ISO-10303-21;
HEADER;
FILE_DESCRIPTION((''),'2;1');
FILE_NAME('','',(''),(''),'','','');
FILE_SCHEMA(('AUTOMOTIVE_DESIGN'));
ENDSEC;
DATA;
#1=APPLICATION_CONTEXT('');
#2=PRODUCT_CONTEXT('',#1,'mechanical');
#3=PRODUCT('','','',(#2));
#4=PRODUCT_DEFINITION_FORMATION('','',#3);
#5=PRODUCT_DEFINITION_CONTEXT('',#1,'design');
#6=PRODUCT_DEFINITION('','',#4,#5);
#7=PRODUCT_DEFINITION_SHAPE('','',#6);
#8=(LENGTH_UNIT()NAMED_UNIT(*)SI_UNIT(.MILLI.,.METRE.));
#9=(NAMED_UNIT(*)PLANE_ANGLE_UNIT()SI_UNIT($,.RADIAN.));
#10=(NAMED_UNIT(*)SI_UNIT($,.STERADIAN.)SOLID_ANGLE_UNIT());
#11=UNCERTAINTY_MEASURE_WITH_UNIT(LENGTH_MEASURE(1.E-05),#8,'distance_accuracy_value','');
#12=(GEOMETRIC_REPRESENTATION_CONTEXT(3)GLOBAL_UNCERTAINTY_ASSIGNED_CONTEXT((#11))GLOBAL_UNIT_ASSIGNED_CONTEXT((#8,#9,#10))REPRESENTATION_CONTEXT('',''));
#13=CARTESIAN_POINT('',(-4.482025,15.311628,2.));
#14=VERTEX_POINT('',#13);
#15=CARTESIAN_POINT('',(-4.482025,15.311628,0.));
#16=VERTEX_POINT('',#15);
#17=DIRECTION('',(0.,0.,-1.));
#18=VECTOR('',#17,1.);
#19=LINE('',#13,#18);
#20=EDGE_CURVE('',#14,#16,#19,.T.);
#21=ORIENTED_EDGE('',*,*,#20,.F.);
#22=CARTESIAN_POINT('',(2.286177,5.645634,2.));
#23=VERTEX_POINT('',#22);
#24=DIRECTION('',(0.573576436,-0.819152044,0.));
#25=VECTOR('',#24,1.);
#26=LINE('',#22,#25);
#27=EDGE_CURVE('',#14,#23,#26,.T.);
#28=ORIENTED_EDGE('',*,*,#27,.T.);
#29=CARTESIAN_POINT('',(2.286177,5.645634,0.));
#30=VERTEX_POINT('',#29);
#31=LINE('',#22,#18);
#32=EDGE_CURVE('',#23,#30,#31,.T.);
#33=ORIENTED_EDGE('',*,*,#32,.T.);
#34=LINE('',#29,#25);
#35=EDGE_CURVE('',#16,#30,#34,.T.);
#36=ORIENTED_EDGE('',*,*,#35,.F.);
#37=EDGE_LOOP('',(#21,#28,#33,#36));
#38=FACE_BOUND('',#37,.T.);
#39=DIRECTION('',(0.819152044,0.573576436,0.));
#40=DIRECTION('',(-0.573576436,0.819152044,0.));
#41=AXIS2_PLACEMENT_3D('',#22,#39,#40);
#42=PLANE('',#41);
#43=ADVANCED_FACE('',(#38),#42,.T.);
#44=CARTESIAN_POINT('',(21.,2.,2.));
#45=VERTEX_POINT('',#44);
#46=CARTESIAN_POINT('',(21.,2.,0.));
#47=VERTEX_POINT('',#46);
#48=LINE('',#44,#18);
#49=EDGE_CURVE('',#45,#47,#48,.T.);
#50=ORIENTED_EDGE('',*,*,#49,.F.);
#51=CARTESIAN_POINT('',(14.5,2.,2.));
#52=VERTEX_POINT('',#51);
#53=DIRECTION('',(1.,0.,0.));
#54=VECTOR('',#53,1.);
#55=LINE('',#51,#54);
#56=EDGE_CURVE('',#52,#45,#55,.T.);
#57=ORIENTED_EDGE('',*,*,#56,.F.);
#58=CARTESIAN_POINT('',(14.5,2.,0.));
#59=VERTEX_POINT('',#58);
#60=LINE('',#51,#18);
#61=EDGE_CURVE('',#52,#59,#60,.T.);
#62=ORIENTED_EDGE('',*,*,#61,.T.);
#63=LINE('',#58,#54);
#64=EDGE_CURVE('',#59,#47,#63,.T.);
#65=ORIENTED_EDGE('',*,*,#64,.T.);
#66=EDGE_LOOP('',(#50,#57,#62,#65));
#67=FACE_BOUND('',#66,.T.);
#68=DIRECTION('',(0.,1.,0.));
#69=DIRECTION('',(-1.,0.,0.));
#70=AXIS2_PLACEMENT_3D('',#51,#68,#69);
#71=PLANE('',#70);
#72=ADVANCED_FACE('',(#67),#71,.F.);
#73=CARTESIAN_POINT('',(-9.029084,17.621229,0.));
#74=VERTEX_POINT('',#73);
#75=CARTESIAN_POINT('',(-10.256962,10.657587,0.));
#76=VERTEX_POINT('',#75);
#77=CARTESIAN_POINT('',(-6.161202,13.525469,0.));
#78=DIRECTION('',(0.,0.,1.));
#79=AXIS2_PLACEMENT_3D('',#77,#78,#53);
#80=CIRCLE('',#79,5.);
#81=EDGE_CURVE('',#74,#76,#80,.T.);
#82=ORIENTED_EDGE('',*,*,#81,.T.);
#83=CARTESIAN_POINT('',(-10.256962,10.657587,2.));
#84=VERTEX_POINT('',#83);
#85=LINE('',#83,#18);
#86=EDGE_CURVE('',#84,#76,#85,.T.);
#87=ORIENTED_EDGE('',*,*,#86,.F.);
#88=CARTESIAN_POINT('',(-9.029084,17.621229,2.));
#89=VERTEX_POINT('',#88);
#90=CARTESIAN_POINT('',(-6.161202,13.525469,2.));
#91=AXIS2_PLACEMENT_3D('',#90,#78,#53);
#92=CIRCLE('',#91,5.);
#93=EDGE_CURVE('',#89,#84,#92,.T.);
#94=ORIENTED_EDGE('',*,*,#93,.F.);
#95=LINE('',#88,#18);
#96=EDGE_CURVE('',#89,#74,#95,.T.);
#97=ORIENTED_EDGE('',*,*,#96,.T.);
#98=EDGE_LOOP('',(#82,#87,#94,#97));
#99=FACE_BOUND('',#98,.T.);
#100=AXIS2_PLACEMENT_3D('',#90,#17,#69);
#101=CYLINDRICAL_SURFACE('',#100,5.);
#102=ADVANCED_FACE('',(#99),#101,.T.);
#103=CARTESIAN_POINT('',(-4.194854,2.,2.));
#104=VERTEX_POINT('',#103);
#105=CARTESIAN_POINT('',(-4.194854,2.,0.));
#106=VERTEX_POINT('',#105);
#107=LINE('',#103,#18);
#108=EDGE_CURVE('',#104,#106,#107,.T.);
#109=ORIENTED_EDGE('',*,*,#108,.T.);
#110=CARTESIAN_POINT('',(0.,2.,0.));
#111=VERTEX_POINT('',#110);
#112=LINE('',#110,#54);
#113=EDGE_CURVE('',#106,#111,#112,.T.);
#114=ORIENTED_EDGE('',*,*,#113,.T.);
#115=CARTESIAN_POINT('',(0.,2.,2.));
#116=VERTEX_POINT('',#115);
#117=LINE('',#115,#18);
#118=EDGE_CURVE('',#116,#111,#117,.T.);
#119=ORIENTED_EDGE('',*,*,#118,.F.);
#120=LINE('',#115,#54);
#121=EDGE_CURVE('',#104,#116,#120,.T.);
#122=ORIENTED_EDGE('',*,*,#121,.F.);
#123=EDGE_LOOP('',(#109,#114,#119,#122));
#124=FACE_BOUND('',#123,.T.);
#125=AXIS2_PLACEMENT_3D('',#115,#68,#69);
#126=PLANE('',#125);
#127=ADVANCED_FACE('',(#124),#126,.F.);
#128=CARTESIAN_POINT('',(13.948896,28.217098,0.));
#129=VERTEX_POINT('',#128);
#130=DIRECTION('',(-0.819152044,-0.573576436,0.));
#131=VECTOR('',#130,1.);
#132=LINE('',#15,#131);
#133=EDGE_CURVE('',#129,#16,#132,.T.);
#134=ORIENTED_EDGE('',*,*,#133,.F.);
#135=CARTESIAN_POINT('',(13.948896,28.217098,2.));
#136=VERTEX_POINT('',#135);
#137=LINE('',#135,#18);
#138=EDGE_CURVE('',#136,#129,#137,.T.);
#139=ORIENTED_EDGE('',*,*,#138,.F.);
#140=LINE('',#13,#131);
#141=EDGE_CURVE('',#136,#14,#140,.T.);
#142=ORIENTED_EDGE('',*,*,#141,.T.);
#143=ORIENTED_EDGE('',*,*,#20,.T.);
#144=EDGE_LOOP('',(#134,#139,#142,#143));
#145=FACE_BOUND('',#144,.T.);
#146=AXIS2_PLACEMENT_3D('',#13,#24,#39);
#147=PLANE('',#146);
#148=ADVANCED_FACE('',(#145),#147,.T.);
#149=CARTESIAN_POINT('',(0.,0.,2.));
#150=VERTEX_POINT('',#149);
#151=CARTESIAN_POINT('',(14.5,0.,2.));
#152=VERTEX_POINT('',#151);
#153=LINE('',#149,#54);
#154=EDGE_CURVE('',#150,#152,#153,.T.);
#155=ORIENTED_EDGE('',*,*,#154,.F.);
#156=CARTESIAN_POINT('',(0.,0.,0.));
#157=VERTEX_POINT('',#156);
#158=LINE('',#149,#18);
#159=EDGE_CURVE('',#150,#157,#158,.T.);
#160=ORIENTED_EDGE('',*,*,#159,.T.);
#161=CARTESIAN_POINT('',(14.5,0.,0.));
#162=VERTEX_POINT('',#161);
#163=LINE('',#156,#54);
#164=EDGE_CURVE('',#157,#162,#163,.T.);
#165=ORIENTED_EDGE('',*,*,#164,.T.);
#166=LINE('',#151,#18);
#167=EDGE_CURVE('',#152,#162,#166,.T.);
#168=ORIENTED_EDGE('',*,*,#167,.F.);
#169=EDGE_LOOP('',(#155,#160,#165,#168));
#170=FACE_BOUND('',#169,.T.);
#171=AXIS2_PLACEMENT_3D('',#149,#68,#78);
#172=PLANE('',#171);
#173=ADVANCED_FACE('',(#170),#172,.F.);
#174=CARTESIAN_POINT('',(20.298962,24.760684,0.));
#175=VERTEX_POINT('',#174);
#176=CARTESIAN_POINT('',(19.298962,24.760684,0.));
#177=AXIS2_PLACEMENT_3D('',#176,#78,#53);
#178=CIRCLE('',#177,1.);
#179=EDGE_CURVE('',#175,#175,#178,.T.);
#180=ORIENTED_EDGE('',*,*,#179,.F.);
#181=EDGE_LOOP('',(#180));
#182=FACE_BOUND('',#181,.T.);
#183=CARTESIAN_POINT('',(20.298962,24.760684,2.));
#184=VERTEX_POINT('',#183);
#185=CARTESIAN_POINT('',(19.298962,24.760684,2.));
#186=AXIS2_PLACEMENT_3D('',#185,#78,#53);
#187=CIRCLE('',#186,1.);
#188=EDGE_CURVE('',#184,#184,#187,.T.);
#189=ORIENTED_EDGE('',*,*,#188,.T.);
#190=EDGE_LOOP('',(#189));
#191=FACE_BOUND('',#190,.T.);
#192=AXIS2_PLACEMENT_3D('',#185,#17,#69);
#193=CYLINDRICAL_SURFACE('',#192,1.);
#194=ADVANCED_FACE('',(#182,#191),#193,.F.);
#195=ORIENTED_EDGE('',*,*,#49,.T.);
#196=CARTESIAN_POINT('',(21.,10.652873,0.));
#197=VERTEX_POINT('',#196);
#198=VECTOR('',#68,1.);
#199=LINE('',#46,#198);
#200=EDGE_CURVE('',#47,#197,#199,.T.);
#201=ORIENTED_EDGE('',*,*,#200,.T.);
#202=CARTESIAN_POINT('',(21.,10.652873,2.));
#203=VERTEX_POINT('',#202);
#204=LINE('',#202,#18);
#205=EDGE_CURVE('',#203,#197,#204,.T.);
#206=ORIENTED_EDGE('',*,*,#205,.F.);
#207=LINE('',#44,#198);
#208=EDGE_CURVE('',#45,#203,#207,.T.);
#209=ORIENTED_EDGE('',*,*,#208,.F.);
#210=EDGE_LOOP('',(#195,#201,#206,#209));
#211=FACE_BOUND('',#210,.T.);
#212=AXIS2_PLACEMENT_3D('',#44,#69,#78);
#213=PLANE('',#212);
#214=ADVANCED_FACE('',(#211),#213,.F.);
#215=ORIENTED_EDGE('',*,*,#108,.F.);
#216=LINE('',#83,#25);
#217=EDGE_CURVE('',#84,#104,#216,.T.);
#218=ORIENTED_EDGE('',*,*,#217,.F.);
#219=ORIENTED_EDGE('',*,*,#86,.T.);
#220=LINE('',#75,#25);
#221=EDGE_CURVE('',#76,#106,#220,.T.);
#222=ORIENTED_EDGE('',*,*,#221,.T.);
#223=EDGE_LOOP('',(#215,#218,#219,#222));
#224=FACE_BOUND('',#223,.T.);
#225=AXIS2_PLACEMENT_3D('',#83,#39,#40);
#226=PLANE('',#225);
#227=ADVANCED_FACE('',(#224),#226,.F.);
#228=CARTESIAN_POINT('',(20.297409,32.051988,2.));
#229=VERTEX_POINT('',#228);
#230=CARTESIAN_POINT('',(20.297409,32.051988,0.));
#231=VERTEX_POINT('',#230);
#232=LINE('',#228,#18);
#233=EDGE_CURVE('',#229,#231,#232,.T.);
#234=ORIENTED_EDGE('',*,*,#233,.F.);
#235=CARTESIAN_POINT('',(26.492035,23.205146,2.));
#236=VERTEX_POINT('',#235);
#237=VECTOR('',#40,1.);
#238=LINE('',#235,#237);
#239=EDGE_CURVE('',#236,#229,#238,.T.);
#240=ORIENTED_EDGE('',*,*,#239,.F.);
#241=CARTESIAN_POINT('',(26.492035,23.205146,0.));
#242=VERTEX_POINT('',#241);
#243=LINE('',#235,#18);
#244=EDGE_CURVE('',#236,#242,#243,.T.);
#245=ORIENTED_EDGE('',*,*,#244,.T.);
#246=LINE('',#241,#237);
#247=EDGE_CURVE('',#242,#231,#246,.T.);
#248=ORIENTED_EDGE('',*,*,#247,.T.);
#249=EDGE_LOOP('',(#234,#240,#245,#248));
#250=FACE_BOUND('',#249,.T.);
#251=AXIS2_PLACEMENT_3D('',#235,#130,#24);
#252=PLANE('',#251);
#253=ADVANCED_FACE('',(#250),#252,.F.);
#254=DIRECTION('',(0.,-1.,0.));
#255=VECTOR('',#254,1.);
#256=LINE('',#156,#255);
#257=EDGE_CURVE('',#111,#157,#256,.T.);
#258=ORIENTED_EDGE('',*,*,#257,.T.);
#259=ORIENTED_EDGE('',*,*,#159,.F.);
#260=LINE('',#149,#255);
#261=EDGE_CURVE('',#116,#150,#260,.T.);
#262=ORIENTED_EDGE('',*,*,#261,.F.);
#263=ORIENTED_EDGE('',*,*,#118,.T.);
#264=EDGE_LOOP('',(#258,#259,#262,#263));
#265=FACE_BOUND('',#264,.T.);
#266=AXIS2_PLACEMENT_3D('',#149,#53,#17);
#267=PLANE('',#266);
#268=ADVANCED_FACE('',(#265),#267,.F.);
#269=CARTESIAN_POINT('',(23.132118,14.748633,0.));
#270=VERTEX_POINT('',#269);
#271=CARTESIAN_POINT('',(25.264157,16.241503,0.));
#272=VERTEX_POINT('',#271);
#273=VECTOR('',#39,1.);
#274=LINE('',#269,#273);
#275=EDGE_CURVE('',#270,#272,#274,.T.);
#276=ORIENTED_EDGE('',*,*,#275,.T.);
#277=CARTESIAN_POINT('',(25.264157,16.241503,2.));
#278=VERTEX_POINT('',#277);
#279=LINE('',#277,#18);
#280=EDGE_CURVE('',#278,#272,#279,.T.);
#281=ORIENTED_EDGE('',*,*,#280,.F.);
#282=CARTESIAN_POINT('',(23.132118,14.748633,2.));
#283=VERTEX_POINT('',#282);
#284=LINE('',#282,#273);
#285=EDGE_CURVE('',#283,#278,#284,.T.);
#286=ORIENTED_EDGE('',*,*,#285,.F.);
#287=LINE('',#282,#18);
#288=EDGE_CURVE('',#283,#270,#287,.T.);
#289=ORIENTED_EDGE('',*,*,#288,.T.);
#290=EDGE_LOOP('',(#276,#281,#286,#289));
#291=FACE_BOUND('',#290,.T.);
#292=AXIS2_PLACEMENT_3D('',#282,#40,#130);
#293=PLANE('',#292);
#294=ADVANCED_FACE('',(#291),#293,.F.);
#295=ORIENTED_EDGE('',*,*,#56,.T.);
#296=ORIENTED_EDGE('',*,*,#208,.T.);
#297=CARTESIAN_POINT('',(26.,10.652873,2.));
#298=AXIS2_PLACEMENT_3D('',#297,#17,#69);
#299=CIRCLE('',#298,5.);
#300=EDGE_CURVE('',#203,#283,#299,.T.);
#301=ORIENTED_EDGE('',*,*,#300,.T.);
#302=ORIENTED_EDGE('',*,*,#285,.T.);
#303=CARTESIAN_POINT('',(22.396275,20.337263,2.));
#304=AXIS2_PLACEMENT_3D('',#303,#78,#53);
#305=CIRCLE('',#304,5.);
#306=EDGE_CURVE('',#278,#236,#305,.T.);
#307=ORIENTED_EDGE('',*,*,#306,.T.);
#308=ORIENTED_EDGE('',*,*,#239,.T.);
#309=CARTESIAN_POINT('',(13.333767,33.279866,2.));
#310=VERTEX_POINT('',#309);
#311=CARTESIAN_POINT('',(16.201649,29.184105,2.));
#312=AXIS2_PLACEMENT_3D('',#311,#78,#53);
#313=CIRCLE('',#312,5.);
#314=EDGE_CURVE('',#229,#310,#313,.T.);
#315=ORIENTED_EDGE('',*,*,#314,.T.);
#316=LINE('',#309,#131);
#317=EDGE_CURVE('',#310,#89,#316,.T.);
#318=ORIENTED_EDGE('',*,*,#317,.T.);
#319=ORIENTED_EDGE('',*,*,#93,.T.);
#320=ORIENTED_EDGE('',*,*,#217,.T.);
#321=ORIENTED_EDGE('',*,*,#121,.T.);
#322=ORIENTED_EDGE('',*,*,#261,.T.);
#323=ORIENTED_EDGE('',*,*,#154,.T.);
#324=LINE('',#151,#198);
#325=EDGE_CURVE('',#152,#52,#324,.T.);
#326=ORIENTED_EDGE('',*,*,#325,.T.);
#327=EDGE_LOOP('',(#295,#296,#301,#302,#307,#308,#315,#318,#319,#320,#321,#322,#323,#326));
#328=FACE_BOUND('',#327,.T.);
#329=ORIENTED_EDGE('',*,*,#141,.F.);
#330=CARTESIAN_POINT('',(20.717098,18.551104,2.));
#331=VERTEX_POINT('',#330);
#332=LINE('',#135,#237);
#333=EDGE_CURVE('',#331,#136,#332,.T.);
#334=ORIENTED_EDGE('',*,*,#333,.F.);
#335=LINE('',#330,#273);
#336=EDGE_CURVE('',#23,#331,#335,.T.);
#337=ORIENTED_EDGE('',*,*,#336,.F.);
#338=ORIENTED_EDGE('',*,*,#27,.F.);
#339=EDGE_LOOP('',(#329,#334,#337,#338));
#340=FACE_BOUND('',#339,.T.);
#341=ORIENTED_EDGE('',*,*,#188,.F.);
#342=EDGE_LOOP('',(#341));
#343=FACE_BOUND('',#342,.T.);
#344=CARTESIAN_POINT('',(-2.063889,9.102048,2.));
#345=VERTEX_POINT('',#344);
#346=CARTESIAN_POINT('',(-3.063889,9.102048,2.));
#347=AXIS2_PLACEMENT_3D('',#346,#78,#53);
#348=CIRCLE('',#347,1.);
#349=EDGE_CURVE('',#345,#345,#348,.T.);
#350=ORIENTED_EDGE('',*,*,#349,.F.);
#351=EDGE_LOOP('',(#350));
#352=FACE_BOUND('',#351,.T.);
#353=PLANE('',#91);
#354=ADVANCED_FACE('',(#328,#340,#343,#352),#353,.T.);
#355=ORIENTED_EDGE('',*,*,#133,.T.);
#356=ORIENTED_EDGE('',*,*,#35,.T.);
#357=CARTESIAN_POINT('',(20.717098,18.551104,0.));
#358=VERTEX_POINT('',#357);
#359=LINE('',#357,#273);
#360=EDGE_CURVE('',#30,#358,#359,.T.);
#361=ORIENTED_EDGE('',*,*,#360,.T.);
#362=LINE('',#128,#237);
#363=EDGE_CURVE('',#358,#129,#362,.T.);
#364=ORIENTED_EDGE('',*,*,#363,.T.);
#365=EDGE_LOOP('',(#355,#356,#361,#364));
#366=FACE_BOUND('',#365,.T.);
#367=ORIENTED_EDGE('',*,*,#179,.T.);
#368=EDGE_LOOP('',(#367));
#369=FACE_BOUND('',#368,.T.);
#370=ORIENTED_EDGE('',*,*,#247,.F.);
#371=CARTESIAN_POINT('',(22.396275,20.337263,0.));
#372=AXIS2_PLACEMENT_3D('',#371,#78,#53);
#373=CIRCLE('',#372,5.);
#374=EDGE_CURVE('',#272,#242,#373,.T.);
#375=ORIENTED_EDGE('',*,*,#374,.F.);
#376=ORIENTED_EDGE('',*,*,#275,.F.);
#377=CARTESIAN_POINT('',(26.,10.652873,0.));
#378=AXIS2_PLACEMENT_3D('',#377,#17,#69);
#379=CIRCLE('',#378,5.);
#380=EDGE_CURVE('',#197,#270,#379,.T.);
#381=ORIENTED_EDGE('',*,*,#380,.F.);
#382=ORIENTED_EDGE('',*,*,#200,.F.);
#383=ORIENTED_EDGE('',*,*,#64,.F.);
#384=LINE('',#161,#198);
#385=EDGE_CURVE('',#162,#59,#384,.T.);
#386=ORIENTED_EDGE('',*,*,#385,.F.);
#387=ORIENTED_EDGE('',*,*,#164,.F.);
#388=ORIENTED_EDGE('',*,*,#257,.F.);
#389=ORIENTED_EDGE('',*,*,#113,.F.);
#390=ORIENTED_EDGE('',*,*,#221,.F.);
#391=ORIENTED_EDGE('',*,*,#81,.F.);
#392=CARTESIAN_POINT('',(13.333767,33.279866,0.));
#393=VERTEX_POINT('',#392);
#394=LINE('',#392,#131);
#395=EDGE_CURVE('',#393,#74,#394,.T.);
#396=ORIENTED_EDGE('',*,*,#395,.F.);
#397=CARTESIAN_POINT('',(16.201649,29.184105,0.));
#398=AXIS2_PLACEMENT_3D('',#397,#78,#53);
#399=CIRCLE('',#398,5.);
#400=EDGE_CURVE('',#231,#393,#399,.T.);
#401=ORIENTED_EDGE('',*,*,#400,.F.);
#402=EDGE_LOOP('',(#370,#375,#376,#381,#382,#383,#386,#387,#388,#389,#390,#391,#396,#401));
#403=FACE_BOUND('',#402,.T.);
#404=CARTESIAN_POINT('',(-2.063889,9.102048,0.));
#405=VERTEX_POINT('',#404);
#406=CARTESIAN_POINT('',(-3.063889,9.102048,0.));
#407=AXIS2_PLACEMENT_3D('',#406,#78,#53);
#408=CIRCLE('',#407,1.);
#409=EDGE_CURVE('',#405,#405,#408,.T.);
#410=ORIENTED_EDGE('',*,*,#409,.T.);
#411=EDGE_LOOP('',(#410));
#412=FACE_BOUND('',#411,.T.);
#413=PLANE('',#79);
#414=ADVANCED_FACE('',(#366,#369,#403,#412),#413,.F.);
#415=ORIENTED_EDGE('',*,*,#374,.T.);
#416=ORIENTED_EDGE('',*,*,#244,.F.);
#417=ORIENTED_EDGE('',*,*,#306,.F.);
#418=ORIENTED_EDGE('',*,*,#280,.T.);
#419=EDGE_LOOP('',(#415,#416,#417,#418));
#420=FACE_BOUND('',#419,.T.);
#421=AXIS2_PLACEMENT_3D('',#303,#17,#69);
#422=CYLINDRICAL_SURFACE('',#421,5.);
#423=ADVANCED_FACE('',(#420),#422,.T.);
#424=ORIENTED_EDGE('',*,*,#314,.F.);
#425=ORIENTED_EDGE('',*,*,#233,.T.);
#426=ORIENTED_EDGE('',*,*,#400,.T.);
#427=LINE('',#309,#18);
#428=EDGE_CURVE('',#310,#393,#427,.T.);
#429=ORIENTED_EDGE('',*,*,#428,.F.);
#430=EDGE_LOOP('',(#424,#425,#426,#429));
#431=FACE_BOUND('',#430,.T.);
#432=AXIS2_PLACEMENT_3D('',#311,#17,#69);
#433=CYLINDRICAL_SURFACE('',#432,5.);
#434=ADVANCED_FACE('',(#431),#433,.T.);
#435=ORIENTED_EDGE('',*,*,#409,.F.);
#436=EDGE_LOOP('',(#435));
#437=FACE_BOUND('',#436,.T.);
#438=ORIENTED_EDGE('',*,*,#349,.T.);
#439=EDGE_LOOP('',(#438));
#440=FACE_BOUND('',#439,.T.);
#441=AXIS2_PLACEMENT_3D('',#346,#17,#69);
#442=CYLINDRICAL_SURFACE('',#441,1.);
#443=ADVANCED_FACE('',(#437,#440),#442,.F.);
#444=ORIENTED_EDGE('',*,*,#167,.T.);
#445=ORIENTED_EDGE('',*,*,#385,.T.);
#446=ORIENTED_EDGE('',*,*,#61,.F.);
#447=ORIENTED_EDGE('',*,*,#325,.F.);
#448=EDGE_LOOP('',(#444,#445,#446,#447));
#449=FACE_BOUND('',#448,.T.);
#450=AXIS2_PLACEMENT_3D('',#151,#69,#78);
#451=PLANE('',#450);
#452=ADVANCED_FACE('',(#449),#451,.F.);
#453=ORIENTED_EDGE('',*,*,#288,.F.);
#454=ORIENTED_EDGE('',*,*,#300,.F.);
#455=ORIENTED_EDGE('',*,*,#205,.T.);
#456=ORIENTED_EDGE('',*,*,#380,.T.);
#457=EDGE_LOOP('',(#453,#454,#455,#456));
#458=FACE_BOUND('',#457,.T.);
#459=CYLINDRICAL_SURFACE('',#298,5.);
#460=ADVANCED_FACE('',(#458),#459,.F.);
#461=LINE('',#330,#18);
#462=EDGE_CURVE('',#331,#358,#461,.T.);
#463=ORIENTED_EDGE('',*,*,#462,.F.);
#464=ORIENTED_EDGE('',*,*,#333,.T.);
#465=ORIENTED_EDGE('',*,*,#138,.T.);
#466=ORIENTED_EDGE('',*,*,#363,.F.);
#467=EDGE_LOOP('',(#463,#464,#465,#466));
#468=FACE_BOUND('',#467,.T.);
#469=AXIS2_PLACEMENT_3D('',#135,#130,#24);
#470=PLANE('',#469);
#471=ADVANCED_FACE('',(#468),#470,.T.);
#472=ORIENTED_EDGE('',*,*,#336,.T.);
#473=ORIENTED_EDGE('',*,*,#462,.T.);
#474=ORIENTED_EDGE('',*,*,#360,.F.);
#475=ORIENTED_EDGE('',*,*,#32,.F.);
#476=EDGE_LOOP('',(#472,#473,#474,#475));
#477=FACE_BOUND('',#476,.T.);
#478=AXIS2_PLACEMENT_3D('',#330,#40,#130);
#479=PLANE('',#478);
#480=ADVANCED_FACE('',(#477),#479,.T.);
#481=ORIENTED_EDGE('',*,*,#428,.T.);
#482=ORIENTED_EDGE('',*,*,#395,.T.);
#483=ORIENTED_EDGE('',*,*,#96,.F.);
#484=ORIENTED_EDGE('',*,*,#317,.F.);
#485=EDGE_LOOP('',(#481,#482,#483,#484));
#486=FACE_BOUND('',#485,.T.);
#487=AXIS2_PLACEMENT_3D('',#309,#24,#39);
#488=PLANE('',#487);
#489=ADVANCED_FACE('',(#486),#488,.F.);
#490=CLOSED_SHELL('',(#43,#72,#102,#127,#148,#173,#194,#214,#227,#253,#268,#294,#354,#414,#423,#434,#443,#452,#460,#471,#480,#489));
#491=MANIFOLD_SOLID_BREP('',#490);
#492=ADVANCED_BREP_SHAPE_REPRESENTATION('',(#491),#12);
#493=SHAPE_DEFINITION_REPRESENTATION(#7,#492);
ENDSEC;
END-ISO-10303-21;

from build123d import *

# Parameters (mm, degrees)
SKETCH1_R           = 1
BOSS_EXTRUDE1_DEPTH = 2


with BuildPart() as part:
    # Sketch1 → Boss-Extrude1 (new body)
    with BuildSketch(Plane.XY):
        with BuildLine():
            Line((0, 0), (14.5, 0))
            Line((14.5, 0), (14.5, 2))
            Line((14.5, 2), (21, 2))
            Line((21, 2), (21, 10.652873099))
            ThreePointArc((21, 10.652873099), (21.564945834, 12.961616165), (23.132117818, 14.74863332))
            Line((23.132117818, 14.74863332), (25.264156906, 16.241503161))
            ThreePointArc((25.264156906, 16.241503161), (27.320313489, 19.469022494), (26.492034945, 23.205145564))
            Line((26.492034945, 23.205145564), (20.297409433, 32.051987643))
            ThreePointArc((20.297409433, 32.051987643), (17.0698901, 34.108144226), (13.33376703, 33.279865682))
            Line((13.33376703, 33.279865682), (-9.02908378, 17.62122897))
            ThreePointArc((-9.02908378, 17.62122897), (-11.085240363, 14.393709637), (-10.256961819, 10.657586567))
            Line((-10.256961819, 10.657586567), (-4.194854443, 2))
            Line((-4.194854443, 2), (0, 2))
            Line((0, 2), (0, 0))
        make_face()
        with Locations((-3.063888841, 9.102047709)):
            Circle(SKETCH1_R, mode=Mode.SUBTRACT)
        with Locations((19.298961968, 24.760684422)):
            Circle(SKETCH1_R, mode=Mode.SUBTRACT)
        Polygon((-4.48202491, 15.311628218), (13.948896087, 28.217098036), (20.717098036, 18.551103913), (2.286177039, 5.645634095), align=None, mode=Mode.SUBTRACT)
    extrude(amount=BOSS_EXTRUDE1_DEPTH)


solid = part.part
